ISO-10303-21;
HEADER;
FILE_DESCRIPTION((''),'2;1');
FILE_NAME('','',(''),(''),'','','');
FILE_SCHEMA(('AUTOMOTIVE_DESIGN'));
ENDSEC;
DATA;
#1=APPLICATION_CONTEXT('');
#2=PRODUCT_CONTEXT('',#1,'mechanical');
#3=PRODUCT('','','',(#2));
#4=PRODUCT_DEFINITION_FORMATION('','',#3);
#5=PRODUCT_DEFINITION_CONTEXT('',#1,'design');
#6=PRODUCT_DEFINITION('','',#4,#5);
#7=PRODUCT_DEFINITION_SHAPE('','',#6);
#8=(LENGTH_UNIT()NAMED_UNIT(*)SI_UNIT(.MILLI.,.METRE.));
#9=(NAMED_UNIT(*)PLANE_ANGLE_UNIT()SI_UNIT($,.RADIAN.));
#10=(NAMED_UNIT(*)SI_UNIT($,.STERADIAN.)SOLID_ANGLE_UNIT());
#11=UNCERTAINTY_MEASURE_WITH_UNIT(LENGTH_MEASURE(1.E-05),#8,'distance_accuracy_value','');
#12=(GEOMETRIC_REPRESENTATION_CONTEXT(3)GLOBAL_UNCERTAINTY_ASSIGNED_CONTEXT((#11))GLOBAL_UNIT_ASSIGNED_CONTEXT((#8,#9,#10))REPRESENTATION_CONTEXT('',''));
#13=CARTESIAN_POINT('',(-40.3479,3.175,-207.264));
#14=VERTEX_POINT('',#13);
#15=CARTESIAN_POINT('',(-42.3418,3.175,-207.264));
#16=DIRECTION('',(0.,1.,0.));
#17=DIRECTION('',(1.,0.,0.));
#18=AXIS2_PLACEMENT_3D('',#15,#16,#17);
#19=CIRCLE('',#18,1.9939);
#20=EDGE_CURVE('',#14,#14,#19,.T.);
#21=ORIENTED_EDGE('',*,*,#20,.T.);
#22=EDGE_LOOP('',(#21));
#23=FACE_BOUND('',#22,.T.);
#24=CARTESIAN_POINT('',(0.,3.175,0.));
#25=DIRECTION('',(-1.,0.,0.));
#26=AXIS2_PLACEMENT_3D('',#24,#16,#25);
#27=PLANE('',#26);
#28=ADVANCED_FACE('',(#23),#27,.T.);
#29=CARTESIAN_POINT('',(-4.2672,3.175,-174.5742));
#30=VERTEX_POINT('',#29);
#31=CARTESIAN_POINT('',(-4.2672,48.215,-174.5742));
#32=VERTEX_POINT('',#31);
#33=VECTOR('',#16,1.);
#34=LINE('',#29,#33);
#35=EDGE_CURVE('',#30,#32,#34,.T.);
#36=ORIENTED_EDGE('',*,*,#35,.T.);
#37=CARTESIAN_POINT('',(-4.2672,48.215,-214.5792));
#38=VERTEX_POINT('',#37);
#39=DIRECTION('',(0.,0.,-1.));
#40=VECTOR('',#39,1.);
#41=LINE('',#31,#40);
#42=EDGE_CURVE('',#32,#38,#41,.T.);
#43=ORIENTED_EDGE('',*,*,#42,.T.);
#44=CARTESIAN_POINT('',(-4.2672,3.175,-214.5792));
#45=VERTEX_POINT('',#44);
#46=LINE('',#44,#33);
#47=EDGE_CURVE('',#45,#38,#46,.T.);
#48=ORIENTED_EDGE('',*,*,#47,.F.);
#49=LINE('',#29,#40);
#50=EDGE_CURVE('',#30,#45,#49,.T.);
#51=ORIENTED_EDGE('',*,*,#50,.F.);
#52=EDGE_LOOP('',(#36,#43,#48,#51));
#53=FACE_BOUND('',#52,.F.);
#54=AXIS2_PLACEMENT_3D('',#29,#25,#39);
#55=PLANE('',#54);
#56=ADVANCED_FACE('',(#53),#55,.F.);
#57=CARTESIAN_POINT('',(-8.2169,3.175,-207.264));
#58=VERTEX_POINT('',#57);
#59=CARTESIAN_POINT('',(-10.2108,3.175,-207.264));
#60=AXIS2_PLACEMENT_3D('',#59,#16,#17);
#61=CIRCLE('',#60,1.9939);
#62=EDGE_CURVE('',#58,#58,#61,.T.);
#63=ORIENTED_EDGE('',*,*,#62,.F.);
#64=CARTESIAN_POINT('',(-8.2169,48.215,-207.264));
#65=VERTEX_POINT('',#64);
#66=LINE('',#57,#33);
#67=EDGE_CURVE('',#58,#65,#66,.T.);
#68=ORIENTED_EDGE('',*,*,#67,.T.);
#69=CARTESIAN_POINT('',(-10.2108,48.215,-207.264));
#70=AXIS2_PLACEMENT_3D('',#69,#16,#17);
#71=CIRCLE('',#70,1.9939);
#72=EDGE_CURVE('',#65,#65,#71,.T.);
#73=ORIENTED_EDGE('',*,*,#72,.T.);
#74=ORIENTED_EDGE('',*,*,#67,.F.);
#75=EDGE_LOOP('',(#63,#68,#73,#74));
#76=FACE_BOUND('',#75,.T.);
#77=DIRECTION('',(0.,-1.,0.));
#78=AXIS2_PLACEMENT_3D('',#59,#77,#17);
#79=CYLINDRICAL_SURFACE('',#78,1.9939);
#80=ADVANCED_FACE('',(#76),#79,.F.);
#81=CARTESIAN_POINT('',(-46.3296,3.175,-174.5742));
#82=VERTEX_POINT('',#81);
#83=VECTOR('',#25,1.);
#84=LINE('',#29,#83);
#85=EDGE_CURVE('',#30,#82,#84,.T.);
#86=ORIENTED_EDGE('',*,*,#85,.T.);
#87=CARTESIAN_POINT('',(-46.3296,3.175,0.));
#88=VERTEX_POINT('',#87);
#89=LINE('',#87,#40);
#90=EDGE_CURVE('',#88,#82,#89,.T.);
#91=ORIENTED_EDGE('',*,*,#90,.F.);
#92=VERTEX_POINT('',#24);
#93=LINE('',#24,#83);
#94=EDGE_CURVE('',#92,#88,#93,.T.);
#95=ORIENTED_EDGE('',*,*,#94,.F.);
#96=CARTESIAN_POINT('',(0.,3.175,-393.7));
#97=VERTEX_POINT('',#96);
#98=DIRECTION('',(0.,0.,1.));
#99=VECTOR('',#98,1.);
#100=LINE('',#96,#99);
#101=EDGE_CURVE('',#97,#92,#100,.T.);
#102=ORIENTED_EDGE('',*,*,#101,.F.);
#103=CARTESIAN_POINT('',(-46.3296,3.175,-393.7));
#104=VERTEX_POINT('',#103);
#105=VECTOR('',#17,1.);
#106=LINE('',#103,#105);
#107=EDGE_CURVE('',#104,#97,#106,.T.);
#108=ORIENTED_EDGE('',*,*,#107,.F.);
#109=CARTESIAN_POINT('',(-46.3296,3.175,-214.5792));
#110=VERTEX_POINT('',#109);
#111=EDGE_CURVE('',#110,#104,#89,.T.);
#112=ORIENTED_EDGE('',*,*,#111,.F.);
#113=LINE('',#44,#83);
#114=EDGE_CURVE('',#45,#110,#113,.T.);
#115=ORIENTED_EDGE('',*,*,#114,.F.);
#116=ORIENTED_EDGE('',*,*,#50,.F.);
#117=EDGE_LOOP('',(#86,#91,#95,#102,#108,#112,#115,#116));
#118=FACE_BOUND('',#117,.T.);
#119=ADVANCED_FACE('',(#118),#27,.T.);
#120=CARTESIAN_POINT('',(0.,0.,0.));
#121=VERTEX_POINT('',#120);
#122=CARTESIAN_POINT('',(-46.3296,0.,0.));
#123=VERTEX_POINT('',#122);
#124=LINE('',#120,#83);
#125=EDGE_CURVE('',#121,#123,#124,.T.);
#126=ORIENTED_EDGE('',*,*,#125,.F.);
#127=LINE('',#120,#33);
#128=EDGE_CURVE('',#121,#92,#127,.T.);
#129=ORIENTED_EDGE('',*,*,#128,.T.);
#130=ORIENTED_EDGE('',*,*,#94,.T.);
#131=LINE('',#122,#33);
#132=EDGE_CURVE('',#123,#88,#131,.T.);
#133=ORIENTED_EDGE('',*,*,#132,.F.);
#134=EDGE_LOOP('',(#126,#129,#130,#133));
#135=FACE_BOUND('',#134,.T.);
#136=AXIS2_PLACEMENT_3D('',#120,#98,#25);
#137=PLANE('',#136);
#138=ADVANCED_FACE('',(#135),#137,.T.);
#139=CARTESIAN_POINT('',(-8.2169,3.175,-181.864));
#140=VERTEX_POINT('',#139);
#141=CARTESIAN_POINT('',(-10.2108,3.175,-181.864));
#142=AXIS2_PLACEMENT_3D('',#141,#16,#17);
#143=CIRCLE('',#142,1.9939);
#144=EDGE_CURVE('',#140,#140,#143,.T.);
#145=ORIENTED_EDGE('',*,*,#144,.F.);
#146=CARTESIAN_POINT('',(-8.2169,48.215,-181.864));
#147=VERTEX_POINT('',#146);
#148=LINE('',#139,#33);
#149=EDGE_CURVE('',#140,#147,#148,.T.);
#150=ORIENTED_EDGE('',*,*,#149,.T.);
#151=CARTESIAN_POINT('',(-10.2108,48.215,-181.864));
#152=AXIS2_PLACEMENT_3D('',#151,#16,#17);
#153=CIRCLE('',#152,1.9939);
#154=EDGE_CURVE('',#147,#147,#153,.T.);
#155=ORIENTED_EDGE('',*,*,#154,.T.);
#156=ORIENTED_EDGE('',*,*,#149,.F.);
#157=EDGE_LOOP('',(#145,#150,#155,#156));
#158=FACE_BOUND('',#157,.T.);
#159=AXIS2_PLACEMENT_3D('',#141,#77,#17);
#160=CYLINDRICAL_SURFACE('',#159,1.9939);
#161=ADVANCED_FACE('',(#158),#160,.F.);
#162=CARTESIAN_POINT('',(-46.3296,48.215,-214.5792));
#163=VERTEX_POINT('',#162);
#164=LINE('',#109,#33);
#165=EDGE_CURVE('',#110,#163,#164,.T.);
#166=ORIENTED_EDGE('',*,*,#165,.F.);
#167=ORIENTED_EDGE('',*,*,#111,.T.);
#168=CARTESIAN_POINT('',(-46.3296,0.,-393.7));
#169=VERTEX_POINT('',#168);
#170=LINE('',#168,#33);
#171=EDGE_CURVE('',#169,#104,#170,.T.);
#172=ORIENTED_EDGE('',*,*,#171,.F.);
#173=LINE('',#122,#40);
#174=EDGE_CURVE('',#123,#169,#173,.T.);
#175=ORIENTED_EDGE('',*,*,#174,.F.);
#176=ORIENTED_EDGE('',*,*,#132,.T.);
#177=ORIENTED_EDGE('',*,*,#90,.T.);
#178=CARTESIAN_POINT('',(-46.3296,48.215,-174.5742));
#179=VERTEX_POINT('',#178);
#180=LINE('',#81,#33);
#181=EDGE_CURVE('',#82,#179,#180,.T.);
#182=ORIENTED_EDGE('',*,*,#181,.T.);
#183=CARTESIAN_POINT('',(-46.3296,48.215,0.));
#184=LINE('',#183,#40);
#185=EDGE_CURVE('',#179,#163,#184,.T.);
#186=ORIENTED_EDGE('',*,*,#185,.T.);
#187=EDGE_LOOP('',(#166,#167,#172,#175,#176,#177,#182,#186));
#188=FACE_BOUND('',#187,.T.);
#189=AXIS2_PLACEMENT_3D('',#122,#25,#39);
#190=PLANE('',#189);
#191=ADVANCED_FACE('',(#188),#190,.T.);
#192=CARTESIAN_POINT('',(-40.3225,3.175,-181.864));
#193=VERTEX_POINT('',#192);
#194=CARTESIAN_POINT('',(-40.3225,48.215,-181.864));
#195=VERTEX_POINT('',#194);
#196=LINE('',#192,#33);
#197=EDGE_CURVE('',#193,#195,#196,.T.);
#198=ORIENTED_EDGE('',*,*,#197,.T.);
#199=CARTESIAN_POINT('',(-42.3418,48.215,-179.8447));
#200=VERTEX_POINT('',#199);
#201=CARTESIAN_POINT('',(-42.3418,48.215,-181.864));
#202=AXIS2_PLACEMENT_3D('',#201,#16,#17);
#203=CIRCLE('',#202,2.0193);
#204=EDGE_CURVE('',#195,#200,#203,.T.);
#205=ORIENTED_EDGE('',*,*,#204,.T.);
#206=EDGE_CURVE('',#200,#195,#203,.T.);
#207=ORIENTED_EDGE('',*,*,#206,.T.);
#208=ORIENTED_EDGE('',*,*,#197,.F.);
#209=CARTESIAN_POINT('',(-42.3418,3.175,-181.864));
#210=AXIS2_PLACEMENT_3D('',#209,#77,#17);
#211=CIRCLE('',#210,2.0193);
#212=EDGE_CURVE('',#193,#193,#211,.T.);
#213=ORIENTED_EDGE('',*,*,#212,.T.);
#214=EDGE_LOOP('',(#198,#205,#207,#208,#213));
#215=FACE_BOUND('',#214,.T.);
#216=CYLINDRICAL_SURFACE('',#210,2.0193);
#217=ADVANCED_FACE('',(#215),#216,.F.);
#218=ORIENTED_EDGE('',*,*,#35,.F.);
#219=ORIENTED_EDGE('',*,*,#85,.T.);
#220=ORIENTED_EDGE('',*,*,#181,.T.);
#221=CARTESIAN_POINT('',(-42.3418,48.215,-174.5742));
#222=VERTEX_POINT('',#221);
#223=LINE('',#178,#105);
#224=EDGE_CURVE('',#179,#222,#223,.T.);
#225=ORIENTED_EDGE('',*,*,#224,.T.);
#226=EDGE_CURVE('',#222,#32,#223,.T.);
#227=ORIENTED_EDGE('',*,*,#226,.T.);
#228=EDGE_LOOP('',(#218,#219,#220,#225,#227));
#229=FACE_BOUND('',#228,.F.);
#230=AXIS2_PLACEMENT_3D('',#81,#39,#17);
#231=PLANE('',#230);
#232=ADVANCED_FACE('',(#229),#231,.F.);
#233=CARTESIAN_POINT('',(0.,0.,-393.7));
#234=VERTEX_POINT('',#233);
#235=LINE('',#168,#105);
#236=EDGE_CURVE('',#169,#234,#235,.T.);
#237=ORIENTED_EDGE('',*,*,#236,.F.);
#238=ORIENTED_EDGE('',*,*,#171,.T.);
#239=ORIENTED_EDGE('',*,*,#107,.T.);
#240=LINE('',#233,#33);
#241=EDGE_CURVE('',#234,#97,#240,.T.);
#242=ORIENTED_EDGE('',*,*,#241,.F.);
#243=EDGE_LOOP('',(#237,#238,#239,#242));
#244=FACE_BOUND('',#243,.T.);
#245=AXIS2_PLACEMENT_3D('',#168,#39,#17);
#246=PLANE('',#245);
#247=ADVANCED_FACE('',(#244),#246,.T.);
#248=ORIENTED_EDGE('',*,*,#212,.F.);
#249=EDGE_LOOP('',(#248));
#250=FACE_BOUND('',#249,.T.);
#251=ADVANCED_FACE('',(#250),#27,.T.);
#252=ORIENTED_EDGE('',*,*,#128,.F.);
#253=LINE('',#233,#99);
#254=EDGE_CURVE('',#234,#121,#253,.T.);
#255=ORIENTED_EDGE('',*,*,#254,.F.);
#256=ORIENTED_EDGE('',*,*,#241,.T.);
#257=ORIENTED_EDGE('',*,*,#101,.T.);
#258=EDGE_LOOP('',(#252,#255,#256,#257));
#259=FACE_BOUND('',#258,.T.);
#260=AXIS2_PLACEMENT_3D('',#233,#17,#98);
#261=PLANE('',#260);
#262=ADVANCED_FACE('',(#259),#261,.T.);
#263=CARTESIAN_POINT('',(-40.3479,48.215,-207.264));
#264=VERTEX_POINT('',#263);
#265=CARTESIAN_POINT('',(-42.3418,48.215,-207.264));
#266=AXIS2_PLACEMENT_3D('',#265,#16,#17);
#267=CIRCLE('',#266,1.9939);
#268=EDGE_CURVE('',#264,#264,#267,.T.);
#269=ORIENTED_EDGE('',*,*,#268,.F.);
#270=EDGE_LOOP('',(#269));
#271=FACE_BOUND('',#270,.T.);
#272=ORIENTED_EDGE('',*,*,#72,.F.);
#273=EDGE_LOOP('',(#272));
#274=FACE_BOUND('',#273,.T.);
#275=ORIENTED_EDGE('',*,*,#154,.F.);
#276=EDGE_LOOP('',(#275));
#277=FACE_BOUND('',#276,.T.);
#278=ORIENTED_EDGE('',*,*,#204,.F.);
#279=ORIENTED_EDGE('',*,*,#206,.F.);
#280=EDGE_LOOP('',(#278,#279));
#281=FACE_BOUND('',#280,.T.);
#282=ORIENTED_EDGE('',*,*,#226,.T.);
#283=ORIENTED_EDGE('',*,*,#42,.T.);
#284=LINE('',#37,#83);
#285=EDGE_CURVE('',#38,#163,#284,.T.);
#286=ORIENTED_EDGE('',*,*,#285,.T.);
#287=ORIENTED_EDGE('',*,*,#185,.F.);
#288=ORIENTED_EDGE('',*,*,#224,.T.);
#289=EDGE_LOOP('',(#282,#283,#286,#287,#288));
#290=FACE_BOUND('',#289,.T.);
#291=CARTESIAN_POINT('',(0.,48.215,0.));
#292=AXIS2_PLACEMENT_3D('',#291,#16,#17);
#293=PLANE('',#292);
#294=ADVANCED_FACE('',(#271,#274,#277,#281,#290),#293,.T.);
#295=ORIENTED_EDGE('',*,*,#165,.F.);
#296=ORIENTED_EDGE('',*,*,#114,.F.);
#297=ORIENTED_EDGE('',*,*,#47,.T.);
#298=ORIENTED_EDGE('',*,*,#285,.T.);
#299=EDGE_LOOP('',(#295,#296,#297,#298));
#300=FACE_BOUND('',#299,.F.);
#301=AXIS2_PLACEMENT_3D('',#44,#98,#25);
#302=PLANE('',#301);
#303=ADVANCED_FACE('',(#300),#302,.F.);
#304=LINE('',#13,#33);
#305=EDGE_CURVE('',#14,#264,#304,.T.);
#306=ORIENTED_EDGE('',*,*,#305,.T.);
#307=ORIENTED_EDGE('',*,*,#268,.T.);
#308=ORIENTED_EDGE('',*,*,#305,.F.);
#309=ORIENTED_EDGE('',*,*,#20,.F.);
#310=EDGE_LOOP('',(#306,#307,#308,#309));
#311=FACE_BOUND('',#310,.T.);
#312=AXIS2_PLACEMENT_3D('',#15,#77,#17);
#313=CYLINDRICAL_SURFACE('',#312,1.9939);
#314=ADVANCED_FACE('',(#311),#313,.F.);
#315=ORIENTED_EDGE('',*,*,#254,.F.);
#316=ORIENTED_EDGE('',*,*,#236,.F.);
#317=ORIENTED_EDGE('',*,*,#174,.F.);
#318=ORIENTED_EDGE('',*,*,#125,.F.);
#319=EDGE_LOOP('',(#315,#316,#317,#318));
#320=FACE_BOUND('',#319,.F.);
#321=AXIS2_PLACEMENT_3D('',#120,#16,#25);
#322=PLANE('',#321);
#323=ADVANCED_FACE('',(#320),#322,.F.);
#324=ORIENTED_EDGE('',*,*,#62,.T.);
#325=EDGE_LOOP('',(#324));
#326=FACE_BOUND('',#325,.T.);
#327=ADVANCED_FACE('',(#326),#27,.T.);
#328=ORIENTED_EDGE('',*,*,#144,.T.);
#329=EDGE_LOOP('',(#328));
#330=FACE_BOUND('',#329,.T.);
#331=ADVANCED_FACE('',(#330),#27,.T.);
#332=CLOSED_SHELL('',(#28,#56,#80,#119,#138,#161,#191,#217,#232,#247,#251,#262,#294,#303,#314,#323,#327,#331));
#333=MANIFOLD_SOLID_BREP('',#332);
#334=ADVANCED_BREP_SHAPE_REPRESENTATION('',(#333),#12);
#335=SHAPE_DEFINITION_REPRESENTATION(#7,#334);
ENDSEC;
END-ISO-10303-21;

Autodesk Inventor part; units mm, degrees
ref_plane "YZ Plane" through (0, 0, 0) normal (1, 0, 0) x (0, 1, 0)
ref_plane "XZ Plane" through (0, 0, 0) normal (0, 1, 0) x (-1, 0, 0)
ref_plane "XY Plane" through (0, 0, 0) normal (0, 0, 1) x (1, 0, 0)
sketch "Sketch1" plane through (0, 0, 0) normal (0, 1, 0) x (-1, 0, 0)
  line L0 (0, 0) -> (46.3296, 0)
  line L1 (46.3296, 0) -> (46.3296, -393.7)
  line L2 (46.3296, -393.7) -> (0, -393.7)
  line L3 (0, -393.7) -> (0, 0)
  dimension "d0" = 46.3296
  dimension "d1" = 393.7
extrude "Extrusion1" add sketch "Sketch1" along normal blind 3.175
sketch "Sketch2" plane through (0, 3.175, 0) normal (0, 1, 0) x (1, 0, 0)
  circle A0 centre (-42.3418, 181.864) radius 2.0193
  line L0 (-46.3296, 0) -> (-46.3296, 393.7) projected
  line L1 (-46.3296, 0) -> (0, 0) projected
  circle A1 centre (-42.3418, 207.264) radius 1.9939
  circle A2 centre (-10.2108, 181.864) radius 1.9939
  circle A3 centre (-10.2108, 207.264) radius 1.9939
  line L2 (-46.3296, 393.7) -> (-46.3296, 0) projected
  line L3 (-42.3418, 181.864) -> (-42.3418, 174.5742)
  line L4 (-46.3296, 174.5742) -> (-4.2672, 174.5742)
  line L5 (-4.2672, 174.5742) -> (-4.2672, 214.5792)
  line L6 (-4.2672, 214.5792) -> (-46.3296, 214.5792)
  line L7 (-46.3296, 174.5742) -> (-46.3296, 214.5792)
  dimension "d4" = 4.0386
  dimension "d5" = 3.9878
  dimension "d6" = 181.864
  dimension "d8" = 3.9878
  dimension "d10" = 3.9878
  dimension "d12" = 3.9878
  dimension "d14" = 7.2898
  dimension "d15" = 42.0624
  dimension "d16" = 40.005
extrude "Extrusion2" add sketch "Sketch2" along normal blind 45.04
properties part number "claw mount" material "Aluminum 6061"
